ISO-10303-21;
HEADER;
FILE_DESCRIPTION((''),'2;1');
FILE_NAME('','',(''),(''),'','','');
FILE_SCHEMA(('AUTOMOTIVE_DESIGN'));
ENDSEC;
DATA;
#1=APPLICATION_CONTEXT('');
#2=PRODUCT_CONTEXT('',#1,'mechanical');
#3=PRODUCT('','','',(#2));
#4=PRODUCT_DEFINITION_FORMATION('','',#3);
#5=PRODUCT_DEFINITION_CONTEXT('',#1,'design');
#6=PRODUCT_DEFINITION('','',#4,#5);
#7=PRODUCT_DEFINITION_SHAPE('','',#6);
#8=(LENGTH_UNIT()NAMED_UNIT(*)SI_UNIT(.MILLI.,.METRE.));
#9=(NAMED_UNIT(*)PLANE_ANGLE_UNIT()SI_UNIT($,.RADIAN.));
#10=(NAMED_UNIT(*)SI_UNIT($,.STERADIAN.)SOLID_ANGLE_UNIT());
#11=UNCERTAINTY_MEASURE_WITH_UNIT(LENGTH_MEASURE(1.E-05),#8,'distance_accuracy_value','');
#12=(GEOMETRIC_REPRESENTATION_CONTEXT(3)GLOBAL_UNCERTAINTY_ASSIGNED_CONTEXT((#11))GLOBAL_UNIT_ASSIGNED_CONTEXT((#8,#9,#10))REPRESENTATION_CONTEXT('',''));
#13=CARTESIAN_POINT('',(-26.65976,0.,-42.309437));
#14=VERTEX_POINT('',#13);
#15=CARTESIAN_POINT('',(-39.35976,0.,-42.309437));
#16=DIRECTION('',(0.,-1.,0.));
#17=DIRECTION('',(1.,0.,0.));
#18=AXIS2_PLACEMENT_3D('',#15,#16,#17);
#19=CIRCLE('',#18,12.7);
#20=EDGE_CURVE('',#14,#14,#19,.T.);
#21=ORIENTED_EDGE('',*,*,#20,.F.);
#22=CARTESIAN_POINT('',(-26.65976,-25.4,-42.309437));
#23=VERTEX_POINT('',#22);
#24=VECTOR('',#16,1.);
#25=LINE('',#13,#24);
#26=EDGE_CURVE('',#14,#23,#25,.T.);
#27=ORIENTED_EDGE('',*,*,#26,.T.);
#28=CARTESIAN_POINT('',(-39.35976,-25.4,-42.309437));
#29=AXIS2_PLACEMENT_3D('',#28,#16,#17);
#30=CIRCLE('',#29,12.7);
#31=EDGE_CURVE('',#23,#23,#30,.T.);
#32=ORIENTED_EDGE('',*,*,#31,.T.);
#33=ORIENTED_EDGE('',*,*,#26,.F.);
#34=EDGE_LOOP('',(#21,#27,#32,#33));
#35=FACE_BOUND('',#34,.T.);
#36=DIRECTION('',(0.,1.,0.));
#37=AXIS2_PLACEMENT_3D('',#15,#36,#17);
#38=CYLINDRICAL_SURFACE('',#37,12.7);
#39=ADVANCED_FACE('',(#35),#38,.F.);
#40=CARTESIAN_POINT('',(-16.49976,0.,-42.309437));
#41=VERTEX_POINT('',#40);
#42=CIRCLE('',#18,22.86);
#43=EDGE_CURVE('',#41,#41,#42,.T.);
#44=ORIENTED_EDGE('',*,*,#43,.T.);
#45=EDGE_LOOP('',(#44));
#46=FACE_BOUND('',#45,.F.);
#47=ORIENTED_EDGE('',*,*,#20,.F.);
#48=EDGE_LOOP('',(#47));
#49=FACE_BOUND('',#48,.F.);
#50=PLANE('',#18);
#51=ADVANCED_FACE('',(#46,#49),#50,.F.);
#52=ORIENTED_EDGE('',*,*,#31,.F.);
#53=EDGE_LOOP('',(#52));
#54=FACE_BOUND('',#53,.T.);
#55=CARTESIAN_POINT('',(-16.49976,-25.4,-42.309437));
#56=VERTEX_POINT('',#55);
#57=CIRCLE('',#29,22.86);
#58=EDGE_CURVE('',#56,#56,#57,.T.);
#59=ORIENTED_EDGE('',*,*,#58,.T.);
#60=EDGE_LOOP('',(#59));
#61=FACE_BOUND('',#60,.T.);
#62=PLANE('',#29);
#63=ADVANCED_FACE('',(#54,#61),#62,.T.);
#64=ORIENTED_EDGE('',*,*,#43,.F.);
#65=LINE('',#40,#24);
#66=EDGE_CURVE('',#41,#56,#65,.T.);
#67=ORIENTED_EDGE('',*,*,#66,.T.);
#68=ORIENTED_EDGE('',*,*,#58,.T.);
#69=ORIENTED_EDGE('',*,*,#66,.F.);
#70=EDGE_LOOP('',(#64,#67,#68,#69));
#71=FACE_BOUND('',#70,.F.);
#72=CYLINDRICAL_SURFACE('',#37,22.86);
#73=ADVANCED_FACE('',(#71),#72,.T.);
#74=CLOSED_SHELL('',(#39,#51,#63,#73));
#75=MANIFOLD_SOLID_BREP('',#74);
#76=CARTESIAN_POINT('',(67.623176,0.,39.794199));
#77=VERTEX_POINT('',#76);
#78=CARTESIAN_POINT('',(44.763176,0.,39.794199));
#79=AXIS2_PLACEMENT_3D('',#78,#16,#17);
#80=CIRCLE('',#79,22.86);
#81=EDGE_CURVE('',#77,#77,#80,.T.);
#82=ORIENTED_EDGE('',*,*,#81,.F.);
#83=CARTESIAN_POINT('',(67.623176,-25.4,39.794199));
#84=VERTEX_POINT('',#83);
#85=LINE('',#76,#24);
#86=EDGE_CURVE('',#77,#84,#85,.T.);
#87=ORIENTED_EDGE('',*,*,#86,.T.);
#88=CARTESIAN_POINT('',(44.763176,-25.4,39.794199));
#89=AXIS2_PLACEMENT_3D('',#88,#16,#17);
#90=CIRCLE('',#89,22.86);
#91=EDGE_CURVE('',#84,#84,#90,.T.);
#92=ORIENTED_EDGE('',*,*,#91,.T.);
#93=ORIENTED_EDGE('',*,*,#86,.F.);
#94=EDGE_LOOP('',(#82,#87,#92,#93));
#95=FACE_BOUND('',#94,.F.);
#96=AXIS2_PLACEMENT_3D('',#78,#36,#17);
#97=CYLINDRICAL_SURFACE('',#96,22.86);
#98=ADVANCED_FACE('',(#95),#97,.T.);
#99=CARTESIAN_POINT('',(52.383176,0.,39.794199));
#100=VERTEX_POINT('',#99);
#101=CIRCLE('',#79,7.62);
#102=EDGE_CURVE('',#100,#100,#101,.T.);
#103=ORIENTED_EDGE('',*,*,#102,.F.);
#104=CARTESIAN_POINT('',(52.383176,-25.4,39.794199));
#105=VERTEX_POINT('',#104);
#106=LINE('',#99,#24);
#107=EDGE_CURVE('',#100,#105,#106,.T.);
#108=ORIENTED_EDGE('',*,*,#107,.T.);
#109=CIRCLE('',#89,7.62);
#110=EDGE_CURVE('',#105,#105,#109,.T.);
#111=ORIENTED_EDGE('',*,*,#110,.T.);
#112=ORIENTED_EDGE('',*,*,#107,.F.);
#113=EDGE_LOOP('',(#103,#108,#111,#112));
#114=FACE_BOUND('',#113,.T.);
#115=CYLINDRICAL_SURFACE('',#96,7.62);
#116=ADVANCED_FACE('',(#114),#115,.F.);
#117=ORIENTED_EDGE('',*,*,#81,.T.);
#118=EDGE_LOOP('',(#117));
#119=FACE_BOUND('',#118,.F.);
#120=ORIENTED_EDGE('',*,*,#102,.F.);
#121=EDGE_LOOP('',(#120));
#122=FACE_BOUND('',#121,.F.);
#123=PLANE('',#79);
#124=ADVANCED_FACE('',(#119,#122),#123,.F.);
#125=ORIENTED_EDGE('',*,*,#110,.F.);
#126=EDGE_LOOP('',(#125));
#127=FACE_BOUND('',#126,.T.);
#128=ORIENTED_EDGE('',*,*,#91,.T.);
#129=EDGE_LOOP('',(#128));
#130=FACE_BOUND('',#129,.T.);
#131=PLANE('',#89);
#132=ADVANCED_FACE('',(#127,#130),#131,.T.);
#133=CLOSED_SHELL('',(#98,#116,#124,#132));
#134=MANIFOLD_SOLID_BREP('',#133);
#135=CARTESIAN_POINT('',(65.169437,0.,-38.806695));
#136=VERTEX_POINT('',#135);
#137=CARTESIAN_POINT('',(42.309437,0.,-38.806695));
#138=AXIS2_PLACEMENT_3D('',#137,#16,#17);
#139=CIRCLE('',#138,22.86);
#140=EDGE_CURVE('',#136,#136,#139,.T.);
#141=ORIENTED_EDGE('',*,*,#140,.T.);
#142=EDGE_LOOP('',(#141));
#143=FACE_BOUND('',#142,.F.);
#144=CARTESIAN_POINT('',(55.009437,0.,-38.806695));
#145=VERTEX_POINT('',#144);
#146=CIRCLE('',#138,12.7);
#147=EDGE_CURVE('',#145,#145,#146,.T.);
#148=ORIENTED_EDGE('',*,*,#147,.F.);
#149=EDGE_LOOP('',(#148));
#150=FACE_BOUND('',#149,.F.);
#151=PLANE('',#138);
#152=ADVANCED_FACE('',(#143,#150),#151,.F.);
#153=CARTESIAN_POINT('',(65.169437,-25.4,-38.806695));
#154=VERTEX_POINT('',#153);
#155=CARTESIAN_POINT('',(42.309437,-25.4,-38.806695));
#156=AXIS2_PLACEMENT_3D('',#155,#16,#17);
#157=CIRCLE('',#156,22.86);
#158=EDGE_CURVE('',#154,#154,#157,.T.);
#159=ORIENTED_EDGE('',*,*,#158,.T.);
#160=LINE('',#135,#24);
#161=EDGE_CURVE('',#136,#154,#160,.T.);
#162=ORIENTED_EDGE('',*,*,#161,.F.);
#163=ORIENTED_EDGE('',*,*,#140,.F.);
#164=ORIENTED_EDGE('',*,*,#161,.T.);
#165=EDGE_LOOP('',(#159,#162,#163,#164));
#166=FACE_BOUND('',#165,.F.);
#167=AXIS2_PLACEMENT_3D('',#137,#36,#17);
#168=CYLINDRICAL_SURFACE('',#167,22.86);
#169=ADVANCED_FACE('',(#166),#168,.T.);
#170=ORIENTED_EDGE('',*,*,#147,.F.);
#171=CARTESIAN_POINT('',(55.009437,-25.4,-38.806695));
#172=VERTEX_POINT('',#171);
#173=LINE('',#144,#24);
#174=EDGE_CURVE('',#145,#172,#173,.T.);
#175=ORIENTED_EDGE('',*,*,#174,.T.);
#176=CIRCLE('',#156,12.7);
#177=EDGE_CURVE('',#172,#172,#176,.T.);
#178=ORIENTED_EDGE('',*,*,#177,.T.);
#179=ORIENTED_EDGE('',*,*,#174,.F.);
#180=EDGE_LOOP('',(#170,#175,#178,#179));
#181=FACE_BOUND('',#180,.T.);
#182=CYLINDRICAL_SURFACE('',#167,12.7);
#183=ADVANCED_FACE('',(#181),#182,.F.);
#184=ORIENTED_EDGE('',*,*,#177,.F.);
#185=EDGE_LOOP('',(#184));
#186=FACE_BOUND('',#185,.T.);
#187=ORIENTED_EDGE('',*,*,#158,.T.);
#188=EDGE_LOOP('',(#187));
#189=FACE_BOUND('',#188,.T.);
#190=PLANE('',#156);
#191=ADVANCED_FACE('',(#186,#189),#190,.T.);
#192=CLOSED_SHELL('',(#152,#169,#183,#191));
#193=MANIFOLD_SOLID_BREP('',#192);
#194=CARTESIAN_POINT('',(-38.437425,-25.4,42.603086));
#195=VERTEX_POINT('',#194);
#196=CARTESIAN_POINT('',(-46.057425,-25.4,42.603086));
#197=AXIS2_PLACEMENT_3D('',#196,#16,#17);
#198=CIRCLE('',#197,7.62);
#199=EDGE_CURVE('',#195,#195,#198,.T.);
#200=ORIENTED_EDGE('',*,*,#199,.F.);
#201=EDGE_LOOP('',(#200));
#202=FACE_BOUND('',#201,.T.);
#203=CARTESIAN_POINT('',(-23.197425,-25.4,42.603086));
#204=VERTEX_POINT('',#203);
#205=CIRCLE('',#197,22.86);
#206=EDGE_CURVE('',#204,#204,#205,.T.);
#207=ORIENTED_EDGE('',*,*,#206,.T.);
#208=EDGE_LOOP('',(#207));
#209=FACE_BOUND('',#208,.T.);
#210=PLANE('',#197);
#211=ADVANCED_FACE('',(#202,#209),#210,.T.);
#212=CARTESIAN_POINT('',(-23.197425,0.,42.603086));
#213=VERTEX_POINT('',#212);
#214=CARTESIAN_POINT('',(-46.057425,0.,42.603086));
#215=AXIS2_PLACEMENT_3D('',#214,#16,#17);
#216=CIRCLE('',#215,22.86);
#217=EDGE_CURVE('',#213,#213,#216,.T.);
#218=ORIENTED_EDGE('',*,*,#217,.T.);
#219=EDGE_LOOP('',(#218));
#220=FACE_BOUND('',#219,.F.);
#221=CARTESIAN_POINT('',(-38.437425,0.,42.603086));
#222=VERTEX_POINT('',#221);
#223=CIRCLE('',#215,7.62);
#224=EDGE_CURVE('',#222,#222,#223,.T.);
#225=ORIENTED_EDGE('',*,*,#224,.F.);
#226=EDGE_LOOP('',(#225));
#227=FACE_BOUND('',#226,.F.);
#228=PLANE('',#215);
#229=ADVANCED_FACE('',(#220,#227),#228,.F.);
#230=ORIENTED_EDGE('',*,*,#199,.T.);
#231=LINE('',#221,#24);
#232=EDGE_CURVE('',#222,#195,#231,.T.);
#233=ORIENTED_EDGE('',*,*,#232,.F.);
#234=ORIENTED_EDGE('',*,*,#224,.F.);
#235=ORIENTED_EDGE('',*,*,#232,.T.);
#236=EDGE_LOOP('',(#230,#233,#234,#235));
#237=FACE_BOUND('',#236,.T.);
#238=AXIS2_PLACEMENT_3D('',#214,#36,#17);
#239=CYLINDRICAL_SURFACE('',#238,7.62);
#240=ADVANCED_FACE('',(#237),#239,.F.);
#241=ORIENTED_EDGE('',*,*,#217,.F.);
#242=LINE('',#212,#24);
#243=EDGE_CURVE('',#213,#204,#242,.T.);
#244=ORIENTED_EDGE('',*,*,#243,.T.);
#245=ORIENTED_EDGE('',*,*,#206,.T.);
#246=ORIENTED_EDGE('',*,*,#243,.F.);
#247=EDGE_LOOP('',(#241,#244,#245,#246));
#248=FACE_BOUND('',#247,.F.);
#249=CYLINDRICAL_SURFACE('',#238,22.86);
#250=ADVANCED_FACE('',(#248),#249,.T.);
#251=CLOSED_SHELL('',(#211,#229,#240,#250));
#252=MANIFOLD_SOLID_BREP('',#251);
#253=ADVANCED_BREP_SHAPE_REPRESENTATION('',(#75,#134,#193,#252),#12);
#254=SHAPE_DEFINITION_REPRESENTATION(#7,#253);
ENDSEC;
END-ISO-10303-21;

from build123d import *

# Parameters (mm, degrees)
F0_R     = 22.86
F0_R_2   = 7.62
F0_R_3   = 12.7
F1_DEPTH = 25.4


with BuildPart() as f1:
    # F0 (on Front) → F1 (new body)
    with BuildSketch(Plane.XZ):
        with Locations((-46.057425, 42.603086)):
            Circle(F0_R)
        with Locations((-46.057425, 42.603086)):
            Circle(F0_R_2, mode=Mode.SUBTRACT)
        with Locations((44.763176, 39.794199)):
            Circle(F0_R)
        with Locations((44.763176, 39.794199)):
            Circle(F0_R_2, mode=Mode.SUBTRACT)
        with Locations((42.309437, -38.806695)):
            Circle(F0_R)
        with Locations((42.309437, -38.806695)):
            Circle(F0_R_3, mode=Mode.SUBTRACT)
        with Locations((-39.35976, -42.309437)):
            Circle(F0_R)
        with Locations((-39.35976, -42.309437)):
            Circle(F0_R_3, mode=Mode.SUBTRACT)
    extrude(amount=F1_DEPTH)


solid = f1.part
